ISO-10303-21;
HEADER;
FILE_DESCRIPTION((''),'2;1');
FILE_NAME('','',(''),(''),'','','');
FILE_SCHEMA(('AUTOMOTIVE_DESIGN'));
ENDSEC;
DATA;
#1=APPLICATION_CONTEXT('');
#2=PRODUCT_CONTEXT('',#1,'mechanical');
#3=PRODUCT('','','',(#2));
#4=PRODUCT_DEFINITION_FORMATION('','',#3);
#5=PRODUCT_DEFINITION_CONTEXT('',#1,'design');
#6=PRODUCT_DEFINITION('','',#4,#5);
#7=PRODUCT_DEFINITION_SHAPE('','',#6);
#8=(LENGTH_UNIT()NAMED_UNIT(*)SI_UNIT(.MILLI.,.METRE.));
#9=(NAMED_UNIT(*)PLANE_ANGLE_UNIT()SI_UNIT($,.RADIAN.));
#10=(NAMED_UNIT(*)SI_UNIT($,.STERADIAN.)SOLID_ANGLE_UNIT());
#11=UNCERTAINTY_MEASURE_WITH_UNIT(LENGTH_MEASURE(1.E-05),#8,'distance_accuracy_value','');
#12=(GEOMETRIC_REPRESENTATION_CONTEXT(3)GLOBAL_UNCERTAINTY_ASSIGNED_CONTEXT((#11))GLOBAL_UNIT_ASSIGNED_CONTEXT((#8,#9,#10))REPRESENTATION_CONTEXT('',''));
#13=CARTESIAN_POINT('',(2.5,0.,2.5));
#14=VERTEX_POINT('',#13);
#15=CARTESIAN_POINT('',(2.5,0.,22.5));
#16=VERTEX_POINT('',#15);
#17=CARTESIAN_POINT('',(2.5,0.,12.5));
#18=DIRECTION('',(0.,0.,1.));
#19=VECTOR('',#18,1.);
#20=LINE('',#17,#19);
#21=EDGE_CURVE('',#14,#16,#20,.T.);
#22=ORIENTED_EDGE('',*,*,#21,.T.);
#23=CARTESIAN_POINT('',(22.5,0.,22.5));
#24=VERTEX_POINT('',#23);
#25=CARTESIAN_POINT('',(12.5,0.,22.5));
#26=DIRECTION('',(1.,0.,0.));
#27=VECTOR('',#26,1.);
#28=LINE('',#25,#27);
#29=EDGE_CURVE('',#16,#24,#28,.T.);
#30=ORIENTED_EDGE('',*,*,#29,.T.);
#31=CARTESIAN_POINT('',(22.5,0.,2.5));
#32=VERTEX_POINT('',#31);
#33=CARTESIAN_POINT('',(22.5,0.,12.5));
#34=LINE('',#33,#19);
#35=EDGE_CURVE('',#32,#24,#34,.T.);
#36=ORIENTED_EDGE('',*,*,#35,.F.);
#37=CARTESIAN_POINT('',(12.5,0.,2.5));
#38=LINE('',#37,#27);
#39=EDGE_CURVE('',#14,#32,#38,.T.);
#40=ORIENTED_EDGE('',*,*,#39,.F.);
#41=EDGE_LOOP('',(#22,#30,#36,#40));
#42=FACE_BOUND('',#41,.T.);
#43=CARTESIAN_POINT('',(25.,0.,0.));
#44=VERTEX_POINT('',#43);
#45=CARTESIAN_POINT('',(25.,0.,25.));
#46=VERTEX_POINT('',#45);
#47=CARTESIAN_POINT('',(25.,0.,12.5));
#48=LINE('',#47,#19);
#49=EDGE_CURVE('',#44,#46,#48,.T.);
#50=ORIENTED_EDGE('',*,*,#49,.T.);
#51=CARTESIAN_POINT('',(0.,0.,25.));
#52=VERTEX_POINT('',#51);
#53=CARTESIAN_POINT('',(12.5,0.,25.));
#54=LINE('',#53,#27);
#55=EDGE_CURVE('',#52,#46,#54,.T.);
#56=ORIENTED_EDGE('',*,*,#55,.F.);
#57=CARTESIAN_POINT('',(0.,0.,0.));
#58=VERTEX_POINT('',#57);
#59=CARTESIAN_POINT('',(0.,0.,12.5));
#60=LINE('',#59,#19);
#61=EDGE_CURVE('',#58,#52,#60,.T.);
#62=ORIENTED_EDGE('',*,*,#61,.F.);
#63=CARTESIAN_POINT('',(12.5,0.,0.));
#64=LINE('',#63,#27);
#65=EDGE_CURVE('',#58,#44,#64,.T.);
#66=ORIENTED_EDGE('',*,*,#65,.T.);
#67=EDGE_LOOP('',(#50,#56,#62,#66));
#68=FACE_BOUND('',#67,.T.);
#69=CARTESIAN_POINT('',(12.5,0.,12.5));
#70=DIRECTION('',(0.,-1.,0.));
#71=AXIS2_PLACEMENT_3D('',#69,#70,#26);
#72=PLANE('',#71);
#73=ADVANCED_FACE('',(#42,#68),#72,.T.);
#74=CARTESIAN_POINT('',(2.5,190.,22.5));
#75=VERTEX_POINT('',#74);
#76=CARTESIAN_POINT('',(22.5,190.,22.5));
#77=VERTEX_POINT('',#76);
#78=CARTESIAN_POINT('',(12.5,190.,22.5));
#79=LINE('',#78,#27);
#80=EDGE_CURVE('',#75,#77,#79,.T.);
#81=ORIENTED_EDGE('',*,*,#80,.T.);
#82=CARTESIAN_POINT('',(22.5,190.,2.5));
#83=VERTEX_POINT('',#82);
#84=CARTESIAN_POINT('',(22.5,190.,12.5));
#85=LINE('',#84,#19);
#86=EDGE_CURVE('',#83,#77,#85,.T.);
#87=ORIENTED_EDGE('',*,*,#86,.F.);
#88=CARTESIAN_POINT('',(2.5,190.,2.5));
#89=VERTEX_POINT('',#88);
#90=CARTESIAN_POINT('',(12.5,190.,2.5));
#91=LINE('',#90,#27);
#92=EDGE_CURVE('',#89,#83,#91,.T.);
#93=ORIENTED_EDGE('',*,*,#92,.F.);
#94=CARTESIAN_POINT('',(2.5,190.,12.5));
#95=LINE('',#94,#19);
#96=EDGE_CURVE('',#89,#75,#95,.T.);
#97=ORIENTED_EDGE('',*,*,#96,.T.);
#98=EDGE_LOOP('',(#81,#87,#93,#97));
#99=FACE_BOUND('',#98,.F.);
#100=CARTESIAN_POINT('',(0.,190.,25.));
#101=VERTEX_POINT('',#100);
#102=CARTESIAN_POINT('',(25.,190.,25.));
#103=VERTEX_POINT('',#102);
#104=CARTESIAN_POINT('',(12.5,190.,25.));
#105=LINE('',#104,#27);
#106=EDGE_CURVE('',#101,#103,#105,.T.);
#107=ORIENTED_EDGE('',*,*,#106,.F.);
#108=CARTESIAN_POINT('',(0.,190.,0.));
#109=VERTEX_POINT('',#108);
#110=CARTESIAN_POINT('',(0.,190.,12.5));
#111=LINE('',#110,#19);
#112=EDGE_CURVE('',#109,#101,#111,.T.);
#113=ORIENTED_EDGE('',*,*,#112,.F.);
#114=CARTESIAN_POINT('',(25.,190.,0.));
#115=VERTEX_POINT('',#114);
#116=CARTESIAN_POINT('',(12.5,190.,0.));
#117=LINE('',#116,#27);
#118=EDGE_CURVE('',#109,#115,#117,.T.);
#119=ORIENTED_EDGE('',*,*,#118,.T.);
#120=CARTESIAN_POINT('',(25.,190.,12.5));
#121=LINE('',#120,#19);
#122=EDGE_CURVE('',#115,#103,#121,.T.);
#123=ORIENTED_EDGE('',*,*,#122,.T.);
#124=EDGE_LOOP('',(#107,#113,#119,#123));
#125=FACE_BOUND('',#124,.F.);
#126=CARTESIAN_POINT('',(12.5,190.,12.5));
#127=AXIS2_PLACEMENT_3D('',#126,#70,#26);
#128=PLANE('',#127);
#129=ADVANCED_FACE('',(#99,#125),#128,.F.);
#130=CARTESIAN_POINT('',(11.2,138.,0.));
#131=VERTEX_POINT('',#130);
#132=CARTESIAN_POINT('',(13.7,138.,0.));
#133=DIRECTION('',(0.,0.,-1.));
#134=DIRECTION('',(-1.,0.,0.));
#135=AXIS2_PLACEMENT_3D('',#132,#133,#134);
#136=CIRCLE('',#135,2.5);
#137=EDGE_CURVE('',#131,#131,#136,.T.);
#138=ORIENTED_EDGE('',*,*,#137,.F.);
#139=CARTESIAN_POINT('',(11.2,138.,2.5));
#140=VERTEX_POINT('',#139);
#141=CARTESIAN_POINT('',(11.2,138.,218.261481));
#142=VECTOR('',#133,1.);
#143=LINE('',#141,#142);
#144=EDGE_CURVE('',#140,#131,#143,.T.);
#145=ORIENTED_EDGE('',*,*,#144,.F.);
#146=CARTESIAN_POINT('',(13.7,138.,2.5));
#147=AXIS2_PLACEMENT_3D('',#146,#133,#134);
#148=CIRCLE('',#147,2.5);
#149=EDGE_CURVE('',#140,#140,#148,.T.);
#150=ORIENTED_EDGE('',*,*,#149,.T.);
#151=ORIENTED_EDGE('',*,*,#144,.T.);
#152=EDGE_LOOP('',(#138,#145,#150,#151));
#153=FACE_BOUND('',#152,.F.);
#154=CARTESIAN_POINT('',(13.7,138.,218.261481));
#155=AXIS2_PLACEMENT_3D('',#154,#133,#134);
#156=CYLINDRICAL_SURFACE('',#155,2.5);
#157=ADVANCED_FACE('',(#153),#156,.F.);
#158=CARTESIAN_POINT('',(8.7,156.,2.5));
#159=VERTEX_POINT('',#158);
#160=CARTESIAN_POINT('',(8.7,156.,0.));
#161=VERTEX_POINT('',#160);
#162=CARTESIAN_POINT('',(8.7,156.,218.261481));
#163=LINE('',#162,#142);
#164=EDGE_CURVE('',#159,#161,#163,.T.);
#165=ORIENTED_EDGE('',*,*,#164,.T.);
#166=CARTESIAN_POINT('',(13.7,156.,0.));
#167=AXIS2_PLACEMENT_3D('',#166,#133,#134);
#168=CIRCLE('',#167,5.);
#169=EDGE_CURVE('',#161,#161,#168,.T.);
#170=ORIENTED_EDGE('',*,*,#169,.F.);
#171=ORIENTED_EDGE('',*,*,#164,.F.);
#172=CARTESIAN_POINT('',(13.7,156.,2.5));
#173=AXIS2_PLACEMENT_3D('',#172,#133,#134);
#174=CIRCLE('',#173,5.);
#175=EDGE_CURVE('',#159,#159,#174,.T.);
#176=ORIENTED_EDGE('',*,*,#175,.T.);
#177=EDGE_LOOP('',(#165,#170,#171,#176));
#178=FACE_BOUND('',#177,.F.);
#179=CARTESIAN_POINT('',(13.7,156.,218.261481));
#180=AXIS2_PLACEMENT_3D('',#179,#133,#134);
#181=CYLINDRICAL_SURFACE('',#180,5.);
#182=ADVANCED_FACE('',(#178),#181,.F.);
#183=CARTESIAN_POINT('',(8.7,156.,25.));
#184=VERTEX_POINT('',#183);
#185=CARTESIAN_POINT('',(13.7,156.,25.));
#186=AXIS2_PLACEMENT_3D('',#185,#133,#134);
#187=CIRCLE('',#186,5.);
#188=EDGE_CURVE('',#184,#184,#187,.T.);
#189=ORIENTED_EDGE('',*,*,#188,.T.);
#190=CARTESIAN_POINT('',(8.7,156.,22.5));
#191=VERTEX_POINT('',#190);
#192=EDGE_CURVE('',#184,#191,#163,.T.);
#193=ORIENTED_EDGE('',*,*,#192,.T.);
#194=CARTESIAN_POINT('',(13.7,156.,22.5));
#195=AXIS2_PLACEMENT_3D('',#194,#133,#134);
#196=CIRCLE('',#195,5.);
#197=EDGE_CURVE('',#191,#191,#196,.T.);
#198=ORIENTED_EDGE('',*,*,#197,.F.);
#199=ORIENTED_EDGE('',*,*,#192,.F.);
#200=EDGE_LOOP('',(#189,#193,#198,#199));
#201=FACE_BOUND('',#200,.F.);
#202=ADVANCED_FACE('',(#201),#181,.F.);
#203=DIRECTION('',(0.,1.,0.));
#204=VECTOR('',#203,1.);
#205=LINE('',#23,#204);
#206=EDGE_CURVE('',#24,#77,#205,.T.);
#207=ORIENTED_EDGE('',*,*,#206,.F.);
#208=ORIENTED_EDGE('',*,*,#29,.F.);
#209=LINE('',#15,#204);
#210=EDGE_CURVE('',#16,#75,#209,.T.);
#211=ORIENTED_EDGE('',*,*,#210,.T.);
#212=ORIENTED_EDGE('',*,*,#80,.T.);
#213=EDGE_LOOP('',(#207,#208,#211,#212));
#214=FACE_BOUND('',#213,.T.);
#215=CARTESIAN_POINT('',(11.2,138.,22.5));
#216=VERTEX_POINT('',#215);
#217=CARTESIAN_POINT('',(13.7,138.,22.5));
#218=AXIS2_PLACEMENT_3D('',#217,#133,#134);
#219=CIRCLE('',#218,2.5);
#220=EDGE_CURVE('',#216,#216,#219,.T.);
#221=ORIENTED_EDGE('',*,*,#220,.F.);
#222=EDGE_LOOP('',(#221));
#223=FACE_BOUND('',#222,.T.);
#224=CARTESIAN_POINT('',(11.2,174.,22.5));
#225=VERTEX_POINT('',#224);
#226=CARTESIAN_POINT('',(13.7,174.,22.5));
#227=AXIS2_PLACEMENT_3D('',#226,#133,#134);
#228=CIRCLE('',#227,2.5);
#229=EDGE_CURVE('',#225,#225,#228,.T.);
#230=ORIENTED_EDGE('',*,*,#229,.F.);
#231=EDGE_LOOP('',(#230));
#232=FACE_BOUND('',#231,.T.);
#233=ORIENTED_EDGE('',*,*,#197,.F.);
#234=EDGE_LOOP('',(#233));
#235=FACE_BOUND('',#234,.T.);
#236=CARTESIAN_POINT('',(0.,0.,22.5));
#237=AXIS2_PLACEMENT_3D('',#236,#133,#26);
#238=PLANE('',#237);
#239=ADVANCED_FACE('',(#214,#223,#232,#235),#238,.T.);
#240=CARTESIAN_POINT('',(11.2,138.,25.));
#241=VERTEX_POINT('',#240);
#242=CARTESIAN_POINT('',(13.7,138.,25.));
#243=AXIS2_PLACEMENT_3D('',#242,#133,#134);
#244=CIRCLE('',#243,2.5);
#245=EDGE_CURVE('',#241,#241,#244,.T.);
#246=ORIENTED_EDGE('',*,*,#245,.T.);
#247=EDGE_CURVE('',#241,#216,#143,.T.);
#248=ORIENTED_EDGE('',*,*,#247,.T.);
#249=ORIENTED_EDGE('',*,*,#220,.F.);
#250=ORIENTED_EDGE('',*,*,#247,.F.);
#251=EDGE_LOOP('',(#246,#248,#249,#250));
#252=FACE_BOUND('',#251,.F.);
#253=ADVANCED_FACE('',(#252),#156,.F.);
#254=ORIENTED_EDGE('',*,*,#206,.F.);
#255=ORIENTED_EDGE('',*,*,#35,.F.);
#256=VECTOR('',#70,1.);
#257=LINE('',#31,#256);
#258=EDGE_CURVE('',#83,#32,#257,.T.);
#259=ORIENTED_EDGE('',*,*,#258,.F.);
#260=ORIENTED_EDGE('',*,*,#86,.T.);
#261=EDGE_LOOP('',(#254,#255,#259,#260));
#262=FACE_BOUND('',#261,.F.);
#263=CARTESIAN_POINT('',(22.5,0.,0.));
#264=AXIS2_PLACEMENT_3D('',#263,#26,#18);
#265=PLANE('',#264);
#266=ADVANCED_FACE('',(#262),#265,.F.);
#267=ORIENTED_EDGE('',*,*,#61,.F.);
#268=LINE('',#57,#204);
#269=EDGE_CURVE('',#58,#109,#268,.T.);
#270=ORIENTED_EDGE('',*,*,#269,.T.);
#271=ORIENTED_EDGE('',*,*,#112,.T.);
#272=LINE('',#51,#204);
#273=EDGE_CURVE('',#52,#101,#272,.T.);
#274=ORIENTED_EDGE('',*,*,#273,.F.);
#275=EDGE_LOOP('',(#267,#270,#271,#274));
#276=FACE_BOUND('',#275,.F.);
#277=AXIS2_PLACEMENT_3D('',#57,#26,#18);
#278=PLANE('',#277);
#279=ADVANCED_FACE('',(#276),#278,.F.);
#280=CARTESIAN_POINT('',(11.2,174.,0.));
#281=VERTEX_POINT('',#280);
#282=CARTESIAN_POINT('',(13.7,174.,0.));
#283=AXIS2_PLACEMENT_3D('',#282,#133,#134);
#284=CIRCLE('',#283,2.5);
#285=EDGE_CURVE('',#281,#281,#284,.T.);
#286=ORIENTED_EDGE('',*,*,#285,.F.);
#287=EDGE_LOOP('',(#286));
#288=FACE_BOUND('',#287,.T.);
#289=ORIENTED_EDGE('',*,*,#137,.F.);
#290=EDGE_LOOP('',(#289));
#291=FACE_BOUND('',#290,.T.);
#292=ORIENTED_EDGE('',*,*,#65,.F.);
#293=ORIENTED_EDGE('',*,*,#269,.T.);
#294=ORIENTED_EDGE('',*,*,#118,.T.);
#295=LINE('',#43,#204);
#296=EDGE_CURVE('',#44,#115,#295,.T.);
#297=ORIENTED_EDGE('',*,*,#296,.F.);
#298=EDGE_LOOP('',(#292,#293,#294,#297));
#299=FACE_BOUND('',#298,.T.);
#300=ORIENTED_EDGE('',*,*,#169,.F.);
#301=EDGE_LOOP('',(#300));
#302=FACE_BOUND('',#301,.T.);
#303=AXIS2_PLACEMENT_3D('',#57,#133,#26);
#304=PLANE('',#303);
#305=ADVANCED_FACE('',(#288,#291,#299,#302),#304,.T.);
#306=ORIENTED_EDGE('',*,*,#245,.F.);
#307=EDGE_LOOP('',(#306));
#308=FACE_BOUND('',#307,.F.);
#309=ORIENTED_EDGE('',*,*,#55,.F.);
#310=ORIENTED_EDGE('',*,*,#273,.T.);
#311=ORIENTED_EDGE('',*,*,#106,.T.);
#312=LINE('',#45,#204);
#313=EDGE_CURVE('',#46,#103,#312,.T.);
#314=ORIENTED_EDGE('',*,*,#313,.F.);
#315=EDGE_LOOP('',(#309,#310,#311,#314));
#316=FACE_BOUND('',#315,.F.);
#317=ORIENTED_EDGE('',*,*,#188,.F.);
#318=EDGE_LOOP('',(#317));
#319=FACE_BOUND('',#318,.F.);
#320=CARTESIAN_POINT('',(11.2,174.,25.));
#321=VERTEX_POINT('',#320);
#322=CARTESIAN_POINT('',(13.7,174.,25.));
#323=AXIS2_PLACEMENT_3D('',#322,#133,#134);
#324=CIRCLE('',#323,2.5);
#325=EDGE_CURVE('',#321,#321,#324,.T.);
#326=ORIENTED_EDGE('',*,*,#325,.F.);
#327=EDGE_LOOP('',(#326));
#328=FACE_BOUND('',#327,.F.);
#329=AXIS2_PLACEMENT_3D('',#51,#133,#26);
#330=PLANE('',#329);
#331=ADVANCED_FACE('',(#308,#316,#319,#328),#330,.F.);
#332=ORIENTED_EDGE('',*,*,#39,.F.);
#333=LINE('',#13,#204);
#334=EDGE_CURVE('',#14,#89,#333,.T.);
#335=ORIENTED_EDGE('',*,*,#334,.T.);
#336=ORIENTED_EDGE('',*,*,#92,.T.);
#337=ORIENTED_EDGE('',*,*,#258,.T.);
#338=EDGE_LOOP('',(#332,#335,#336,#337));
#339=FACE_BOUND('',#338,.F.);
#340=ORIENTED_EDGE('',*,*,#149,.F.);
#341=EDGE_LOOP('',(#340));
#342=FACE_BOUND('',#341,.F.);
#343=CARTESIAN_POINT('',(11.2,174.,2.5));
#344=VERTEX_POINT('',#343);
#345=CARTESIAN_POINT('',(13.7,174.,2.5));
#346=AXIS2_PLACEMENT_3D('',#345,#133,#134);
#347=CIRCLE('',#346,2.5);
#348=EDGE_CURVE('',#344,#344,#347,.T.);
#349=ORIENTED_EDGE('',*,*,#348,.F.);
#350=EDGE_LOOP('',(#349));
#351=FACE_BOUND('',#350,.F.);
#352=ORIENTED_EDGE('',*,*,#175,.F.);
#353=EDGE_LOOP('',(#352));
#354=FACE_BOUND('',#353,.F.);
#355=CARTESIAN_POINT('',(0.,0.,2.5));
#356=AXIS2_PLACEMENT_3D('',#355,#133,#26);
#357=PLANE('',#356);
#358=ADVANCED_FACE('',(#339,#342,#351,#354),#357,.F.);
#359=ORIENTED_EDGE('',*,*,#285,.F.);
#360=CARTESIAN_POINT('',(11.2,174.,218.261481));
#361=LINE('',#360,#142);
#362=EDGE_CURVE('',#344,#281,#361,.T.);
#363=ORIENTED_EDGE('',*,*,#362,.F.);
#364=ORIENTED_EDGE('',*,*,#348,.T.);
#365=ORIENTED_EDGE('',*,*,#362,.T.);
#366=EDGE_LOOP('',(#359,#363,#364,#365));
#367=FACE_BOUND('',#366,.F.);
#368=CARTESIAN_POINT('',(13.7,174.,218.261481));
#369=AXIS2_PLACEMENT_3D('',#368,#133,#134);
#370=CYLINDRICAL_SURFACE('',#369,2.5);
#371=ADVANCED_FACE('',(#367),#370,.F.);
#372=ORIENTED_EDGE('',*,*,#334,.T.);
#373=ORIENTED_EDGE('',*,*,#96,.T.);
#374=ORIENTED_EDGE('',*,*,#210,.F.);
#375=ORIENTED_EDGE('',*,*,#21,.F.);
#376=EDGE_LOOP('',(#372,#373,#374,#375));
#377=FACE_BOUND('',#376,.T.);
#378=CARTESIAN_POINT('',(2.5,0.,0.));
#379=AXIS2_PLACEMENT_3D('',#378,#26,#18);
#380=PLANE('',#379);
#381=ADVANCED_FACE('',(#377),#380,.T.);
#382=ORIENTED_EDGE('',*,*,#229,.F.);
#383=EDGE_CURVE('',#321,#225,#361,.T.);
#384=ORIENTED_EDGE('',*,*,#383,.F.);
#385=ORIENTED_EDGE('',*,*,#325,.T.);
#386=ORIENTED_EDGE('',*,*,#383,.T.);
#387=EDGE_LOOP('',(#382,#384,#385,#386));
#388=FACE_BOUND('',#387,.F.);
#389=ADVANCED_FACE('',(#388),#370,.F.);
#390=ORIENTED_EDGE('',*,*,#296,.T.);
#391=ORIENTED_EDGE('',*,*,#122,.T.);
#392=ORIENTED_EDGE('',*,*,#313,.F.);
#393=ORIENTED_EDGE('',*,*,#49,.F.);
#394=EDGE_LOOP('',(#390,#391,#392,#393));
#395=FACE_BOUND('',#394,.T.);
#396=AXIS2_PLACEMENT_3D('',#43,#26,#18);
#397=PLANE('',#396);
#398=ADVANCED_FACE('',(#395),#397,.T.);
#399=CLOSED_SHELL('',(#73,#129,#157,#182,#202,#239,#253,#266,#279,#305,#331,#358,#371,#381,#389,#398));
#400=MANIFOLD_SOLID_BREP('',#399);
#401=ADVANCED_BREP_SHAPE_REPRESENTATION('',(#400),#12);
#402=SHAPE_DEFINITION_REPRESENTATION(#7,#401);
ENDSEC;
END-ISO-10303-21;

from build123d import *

# Parameters (mm, degrees)
F0_W     = 25
F0_H     = 25
F1_DEPTH = 190
F2_T     = -2.5
F4_D     = 10
F5_D     = 5


with BuildPart() as f1:
    # F0 (on Front) → F1 (new body)
    with BuildSketch(Plane.XZ):
        with Locations((12.5, 12.5)):
            Rectangle(F0_W, F0_H)
    extrude(amount=-F1_DEPTH)

    # F2
    f2_openings = [f1.faces().sort_by_distance(p)[0] for p in [
        (12.5, 0, 12.5),
        (12.5, 190, 12.5),
    ]]
    offset(amount=F2_T, openings=f2_openings)

    # F4 (through all)
    with Locations(Plane.XY.offset(25)):
        with Locations((13.7, 156)):
            Hole(F4_D / 2)

    # F5 (through all)
    with Locations(Plane.XY.offset(25)):
        with Locations((13.7, 138), (13.7, 174)):
            Hole(F5_D / 2)


solid = f1.part
